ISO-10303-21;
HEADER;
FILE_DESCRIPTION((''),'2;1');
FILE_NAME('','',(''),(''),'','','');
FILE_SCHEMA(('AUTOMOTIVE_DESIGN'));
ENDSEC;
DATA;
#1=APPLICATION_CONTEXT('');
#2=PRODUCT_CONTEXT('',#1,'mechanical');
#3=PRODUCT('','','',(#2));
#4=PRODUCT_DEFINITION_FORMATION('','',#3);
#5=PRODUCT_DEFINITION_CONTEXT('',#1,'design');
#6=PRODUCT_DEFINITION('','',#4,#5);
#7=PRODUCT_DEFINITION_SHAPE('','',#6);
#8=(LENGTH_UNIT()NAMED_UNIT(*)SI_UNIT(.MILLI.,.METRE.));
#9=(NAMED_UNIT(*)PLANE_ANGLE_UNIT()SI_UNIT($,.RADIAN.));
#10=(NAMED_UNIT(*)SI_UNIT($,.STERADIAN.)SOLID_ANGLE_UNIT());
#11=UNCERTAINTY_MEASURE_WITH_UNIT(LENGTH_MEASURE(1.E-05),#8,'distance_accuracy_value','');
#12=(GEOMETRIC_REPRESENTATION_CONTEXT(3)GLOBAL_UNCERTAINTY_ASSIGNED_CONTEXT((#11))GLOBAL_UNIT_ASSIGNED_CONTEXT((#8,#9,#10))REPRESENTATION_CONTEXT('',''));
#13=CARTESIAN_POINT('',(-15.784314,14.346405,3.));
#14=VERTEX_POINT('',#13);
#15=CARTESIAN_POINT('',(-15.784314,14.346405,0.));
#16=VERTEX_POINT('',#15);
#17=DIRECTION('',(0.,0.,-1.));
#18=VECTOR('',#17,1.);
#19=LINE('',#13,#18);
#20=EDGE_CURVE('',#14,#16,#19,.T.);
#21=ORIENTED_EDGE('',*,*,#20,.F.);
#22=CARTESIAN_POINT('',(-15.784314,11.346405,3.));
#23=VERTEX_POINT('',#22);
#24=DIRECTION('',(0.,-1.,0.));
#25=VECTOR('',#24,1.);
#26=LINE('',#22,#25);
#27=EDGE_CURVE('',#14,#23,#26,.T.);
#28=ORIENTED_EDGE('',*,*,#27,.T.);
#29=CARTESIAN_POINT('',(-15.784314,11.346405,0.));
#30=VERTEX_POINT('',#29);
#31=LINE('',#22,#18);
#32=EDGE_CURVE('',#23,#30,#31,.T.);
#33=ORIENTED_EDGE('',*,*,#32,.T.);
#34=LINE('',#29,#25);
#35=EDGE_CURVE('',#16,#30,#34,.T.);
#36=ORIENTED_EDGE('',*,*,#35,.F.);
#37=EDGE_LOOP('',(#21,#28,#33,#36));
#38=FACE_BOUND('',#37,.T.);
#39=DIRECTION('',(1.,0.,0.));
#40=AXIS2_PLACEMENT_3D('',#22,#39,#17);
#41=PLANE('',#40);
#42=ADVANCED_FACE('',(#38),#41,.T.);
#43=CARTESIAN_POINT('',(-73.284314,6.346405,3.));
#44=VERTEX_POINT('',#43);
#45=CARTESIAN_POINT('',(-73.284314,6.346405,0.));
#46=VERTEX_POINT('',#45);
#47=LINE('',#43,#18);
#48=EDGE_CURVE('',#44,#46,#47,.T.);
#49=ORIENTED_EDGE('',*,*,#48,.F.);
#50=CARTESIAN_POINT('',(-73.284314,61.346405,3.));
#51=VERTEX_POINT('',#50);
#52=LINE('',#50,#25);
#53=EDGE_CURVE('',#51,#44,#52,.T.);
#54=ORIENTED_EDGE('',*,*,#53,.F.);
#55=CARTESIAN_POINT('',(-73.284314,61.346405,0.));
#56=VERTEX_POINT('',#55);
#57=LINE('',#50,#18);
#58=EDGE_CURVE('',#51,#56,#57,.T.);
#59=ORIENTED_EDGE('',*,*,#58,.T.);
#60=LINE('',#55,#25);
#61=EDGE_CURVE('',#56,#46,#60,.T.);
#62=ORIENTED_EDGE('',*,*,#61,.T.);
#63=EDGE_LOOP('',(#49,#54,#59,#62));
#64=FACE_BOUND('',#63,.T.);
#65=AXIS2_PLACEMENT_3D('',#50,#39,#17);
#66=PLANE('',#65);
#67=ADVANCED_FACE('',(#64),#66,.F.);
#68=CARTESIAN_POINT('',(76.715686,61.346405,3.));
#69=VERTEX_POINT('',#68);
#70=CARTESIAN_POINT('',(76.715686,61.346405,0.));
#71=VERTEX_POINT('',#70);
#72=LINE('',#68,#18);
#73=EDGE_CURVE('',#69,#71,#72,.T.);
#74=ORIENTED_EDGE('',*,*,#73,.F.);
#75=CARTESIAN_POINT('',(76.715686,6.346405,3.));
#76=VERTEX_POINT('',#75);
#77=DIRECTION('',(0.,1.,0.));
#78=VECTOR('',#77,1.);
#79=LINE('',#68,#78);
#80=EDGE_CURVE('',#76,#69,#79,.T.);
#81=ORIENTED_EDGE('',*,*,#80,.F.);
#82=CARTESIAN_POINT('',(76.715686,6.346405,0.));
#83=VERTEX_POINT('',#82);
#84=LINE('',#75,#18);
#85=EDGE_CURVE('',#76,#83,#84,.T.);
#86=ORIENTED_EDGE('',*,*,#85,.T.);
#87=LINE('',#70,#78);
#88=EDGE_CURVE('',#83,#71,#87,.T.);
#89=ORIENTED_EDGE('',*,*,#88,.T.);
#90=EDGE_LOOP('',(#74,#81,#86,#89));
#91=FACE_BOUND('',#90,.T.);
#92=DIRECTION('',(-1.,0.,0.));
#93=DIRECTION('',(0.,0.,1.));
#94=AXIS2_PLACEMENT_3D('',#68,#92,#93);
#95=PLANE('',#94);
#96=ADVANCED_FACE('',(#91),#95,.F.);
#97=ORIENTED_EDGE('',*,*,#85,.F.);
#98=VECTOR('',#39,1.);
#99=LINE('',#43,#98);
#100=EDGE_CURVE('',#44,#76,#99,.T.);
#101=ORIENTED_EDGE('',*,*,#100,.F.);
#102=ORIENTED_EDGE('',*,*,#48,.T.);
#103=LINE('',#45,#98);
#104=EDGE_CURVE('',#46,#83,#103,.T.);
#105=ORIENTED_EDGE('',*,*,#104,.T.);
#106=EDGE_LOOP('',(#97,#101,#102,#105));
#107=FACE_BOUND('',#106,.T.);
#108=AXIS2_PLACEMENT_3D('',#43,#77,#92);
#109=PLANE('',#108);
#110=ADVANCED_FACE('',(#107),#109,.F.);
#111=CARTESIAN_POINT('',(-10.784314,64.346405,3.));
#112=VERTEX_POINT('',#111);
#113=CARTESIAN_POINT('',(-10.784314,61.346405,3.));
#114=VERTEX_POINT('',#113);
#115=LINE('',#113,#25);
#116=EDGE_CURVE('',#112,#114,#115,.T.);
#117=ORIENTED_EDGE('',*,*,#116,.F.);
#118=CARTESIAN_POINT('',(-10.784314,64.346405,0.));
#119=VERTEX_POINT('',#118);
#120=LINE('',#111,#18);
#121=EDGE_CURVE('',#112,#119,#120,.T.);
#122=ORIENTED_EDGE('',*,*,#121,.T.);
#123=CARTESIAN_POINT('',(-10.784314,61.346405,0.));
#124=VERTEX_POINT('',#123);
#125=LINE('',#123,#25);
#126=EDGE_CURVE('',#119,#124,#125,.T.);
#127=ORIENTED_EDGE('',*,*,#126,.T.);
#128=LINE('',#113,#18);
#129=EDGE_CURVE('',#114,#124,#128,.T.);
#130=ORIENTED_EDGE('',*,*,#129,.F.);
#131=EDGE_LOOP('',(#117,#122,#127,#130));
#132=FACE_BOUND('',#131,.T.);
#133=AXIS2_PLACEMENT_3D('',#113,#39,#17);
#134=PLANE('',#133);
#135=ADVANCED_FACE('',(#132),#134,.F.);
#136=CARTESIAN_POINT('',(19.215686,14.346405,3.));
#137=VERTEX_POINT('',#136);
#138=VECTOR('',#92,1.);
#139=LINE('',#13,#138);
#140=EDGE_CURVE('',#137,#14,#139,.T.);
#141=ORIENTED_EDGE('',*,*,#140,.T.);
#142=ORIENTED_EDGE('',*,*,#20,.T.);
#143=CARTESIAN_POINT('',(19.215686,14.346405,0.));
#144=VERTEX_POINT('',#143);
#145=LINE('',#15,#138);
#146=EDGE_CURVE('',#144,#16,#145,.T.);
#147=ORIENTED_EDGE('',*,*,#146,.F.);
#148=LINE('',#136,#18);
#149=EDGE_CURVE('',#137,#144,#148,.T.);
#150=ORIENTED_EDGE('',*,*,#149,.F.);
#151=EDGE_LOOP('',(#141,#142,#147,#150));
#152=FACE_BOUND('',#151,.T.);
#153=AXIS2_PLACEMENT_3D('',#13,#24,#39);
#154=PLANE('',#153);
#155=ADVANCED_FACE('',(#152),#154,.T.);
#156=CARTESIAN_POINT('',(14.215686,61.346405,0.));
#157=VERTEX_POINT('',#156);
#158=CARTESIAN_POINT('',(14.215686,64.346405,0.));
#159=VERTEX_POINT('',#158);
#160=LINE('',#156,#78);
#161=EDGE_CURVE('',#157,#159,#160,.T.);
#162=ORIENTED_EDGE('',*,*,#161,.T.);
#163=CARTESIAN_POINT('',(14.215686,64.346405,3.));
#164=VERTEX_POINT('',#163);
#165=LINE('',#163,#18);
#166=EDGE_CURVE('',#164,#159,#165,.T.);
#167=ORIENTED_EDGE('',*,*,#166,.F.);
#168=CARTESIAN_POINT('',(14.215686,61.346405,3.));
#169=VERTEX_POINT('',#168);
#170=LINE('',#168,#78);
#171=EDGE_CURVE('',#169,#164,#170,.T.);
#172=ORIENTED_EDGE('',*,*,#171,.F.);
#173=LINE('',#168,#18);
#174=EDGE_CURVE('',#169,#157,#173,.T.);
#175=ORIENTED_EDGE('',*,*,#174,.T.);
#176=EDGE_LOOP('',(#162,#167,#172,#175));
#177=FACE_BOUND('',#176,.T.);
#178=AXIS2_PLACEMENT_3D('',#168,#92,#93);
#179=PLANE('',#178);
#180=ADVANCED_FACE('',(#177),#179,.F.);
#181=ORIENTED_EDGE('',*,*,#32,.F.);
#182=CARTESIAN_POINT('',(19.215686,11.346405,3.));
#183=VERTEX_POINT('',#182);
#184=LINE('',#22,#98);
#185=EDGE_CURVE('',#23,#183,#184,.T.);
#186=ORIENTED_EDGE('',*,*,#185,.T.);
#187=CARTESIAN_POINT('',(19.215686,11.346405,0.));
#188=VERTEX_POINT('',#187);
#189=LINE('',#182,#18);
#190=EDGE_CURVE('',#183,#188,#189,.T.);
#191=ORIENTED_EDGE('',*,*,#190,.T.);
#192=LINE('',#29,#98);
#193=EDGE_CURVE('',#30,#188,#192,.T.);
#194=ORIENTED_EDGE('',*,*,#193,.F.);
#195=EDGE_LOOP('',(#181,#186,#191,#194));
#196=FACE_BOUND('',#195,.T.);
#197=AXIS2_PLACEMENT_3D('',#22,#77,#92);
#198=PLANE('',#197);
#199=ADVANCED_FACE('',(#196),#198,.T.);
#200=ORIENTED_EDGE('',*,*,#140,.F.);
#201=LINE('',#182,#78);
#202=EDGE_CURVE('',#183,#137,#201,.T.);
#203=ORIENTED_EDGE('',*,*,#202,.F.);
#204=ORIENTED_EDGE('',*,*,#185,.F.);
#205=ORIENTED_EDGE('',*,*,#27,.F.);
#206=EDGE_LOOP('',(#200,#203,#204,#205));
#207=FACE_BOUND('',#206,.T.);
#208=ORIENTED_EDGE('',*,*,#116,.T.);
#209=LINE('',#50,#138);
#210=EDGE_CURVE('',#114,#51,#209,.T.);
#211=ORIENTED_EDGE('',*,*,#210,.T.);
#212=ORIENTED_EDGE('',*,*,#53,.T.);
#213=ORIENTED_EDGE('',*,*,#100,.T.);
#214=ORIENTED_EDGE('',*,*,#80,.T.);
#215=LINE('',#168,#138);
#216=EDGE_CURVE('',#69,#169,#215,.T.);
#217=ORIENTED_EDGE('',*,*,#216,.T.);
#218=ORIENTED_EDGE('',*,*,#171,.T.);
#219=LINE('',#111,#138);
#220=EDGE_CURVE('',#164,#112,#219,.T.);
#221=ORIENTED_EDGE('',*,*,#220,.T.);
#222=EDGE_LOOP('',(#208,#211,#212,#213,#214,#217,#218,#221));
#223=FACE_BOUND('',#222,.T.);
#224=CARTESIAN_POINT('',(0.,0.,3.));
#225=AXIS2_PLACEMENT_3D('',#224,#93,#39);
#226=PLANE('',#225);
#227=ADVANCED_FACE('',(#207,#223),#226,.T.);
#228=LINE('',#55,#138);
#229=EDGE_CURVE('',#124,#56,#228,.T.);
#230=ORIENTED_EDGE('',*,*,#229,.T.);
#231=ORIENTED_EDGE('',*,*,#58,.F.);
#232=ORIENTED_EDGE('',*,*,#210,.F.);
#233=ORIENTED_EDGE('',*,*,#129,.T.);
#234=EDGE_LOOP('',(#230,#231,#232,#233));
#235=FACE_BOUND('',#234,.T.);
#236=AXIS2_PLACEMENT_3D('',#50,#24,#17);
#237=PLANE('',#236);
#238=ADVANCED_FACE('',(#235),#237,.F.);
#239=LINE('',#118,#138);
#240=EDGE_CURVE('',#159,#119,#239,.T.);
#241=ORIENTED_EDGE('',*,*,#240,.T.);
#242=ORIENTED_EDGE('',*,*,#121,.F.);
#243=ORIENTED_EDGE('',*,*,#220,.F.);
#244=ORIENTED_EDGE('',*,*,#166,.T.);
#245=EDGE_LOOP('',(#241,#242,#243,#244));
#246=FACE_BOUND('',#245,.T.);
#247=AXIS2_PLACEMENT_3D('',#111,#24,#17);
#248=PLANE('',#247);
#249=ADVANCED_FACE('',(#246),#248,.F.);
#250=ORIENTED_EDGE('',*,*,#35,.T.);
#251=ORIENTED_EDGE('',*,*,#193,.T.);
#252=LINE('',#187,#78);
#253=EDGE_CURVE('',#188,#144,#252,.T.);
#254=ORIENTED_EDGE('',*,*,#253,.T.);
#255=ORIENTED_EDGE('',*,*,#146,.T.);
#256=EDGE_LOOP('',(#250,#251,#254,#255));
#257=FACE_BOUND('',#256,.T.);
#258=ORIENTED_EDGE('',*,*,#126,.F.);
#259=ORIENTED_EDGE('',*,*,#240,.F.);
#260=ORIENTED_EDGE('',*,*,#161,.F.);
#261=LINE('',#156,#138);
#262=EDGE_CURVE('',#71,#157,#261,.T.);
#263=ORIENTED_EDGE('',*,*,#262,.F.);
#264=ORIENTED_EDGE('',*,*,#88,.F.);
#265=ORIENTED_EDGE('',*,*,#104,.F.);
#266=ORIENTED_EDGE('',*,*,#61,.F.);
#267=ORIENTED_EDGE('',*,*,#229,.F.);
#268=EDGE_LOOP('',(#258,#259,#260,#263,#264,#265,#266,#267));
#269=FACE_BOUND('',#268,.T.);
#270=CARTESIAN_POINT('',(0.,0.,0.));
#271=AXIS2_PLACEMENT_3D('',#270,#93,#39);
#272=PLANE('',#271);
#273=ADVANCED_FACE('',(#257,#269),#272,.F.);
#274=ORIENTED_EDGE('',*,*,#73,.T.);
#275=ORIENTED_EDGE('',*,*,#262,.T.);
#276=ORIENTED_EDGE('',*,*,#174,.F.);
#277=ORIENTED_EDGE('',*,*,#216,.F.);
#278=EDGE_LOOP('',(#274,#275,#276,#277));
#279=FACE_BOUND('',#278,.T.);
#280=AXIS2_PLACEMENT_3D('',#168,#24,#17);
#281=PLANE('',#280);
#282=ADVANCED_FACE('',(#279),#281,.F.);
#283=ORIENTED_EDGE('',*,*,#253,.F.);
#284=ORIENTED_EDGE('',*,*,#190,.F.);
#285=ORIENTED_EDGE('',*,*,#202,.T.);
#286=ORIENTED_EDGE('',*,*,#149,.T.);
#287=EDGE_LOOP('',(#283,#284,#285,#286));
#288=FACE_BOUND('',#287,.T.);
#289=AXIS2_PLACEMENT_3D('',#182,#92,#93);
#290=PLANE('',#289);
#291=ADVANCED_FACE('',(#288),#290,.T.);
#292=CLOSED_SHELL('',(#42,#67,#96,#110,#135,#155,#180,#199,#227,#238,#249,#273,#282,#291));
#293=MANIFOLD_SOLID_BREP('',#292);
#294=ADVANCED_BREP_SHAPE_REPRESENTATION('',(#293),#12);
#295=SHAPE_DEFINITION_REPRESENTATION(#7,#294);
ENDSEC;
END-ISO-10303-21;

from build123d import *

# Parameters (mm, degrees)
SKETCH_1_W      = 35
SKETCH_1_H      = 3
EXTRUDE_1_DEPTH = 3


with BuildPart() as part:
    # Эскиз1 → Бобышка-Вытянуть1 (new body)
    with BuildSketch(Plane.XY):
        Polygon((14.215686275, 61.346405229), (76.715686275, 61.346405229), (76.715686275, 6.346405229), (-73.284313725, 6.346405229), (-73.284313725, 61.346405229), (-10.784313725, 61.346405229), (-10.784313725, 64.346405229), (14.215686275, 64.346405229), align=None)
        with Locations((1.715686275, 12.846405229)):
            Rectangle(SKETCH_1_W, SKETCH_1_H, mode=Mode.SUBTRACT)
    extrude(amount=EXTRUDE_1_DEPTH)


solid = part.part
